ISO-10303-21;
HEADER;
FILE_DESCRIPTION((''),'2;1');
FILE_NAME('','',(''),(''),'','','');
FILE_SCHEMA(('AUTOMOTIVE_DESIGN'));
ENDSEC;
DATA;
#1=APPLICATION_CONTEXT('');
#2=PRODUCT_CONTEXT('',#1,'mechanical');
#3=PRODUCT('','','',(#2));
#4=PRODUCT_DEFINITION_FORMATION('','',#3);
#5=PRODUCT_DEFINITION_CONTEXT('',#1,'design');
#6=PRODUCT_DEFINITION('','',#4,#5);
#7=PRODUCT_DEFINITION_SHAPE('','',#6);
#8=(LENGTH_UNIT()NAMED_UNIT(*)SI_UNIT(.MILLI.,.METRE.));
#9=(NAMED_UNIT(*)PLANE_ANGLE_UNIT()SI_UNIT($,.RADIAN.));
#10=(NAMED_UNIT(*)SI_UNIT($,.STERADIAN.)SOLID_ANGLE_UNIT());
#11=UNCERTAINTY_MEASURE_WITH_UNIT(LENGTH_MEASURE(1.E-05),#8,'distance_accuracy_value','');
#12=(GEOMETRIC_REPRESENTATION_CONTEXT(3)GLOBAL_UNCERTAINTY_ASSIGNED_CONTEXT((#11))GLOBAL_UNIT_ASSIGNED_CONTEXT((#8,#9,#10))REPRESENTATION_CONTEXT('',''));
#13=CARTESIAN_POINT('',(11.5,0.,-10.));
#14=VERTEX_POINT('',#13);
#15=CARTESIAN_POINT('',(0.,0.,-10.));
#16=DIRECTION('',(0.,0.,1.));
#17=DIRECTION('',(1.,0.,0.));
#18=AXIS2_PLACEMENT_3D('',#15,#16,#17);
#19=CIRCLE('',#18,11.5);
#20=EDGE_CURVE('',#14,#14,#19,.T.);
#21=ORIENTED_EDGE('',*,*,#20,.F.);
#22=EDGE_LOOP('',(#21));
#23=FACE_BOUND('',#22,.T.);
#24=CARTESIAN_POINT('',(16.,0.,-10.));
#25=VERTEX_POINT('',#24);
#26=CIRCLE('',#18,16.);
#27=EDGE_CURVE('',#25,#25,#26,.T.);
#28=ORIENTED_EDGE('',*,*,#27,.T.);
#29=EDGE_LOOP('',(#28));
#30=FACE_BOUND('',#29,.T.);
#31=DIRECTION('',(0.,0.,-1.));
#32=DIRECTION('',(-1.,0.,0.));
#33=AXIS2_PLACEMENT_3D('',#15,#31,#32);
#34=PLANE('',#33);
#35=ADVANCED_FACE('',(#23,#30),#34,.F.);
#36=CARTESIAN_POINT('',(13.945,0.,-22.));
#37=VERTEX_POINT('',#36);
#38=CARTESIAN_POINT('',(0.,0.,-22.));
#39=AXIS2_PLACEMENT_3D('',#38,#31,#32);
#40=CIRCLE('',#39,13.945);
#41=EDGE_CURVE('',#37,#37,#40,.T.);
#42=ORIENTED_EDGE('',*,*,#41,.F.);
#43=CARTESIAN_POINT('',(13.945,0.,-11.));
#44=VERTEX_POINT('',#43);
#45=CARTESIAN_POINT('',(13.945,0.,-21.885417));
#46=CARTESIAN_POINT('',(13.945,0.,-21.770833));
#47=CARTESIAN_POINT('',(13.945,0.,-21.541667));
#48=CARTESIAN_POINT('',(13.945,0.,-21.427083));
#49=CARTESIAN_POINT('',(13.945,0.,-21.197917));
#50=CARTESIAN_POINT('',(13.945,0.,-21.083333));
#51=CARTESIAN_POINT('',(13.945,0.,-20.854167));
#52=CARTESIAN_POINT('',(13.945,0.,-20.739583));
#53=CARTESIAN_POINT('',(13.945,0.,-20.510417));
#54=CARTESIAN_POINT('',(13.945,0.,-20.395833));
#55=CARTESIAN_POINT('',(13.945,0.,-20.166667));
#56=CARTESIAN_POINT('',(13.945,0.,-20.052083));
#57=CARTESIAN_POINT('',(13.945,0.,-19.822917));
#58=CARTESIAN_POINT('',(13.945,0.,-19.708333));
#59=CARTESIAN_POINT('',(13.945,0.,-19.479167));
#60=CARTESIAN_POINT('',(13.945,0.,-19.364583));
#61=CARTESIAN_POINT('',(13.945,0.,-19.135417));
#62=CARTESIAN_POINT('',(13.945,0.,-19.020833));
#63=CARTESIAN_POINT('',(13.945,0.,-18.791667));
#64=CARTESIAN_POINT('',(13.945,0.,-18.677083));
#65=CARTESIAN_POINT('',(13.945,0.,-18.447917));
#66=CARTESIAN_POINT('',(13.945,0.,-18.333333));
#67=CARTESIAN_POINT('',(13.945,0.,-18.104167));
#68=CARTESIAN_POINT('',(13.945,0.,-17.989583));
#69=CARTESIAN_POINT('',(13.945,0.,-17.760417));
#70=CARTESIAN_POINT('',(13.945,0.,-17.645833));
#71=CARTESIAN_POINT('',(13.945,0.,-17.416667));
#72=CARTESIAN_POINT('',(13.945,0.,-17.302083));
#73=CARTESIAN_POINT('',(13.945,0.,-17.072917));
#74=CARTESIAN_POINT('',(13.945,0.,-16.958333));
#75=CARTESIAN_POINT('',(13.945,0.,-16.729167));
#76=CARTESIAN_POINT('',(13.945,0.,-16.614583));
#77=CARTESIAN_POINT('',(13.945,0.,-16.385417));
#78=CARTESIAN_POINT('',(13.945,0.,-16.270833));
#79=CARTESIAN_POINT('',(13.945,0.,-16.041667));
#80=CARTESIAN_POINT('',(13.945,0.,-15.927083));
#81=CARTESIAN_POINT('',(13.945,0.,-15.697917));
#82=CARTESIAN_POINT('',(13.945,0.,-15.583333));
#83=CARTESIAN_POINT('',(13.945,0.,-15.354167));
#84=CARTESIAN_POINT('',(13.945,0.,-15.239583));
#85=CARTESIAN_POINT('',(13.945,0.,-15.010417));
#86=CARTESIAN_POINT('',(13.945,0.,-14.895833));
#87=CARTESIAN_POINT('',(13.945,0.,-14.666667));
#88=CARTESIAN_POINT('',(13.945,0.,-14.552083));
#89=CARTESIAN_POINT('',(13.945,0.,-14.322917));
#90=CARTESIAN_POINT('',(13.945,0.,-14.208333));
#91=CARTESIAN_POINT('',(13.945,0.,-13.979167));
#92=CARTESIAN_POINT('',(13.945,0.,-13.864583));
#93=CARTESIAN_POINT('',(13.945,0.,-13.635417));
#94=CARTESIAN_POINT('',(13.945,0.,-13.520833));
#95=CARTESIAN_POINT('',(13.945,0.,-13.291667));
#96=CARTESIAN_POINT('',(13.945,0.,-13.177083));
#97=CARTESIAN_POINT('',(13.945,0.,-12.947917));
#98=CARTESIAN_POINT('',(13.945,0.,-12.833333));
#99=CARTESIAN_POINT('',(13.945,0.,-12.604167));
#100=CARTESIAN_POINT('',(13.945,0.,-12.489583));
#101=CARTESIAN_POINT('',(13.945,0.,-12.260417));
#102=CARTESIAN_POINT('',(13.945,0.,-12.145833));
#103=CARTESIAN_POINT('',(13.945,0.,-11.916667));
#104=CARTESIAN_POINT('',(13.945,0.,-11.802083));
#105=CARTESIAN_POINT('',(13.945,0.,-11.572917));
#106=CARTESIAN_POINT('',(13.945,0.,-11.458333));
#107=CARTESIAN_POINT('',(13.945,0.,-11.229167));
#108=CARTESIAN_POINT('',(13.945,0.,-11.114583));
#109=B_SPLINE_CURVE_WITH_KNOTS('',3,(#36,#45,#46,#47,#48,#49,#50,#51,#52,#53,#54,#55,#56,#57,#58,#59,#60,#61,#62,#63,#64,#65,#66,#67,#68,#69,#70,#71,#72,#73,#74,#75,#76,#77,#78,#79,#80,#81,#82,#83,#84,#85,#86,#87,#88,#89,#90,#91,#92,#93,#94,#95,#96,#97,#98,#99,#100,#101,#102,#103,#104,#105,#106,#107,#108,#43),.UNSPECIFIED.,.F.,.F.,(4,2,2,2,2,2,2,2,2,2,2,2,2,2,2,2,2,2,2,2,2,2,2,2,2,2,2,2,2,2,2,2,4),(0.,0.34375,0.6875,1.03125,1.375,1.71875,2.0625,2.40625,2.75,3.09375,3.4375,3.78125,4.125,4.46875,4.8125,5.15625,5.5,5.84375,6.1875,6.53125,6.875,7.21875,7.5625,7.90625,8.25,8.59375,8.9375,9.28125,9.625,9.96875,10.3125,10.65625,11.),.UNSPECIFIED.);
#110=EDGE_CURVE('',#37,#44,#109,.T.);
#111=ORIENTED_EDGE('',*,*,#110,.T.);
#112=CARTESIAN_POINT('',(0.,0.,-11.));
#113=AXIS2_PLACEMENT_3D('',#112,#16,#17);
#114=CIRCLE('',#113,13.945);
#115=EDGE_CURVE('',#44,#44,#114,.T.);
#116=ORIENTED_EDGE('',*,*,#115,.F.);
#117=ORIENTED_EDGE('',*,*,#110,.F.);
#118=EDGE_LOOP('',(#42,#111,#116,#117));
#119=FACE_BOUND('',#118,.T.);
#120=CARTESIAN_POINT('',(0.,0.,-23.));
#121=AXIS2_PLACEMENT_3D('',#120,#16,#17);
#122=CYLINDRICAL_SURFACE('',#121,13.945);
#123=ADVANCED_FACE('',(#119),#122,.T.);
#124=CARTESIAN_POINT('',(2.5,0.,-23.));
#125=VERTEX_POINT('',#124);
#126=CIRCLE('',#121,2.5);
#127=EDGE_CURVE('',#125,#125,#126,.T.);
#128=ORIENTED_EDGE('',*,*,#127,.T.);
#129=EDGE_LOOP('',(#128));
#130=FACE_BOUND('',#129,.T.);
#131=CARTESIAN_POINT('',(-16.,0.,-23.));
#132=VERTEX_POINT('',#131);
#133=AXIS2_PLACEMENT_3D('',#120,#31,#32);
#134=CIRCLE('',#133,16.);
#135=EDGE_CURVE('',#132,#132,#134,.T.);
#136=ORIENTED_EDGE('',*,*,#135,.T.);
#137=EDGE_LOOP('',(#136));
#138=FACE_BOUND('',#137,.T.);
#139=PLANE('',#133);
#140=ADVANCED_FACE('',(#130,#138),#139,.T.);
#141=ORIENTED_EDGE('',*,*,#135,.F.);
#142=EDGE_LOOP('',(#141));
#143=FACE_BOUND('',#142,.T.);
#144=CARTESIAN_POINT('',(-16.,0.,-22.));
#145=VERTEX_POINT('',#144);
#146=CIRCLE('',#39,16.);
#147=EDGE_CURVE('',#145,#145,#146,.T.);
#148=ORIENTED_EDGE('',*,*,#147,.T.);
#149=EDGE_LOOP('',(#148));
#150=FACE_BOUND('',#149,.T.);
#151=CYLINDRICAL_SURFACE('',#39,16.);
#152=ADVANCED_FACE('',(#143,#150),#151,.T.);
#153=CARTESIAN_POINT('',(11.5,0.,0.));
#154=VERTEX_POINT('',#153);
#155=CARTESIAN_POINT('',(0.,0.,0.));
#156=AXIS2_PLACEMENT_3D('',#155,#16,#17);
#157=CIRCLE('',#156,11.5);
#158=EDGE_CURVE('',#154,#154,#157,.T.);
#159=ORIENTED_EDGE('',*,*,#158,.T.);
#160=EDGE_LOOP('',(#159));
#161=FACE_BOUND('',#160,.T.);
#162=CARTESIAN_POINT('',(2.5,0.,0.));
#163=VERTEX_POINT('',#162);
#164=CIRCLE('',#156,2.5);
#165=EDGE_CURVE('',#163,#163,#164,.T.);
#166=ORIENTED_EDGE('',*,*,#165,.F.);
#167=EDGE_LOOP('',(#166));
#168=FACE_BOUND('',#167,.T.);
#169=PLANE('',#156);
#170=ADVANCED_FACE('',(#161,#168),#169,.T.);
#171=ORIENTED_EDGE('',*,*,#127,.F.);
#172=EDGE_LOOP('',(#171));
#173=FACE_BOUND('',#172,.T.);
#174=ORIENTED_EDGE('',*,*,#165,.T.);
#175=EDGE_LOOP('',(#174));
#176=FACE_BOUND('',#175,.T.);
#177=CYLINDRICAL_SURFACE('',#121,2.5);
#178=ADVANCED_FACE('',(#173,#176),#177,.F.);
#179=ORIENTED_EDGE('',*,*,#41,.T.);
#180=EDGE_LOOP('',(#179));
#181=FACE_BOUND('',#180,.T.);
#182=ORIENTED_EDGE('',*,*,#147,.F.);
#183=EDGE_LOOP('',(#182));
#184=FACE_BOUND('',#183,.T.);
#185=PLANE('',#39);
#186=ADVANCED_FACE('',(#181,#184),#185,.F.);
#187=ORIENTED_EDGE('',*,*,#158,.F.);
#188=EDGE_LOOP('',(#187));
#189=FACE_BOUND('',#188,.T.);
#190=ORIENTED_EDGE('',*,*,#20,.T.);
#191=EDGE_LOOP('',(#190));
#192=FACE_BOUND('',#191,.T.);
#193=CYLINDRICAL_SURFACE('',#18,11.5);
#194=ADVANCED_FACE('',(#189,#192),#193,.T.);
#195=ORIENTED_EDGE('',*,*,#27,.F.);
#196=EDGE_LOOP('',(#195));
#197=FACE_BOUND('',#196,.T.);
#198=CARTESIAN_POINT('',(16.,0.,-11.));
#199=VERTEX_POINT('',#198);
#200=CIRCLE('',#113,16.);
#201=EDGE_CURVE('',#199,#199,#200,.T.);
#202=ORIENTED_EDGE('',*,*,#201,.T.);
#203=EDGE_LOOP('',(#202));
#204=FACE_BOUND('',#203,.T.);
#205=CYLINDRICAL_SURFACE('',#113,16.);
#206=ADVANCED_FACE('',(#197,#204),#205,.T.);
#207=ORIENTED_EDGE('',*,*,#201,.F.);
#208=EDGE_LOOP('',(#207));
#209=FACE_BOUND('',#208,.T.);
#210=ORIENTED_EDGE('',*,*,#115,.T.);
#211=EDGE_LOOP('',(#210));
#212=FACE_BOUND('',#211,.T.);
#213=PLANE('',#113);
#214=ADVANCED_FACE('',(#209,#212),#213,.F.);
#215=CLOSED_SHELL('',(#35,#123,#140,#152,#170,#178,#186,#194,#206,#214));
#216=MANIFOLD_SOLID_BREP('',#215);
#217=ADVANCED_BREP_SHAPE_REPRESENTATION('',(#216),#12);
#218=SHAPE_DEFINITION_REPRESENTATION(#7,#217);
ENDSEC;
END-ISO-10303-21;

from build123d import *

# Parameters (mm, degrees)
SKETCH_1_R               = 11.5
EXTRUDE_1_DEPTH          = 10
SKETCH_2_R               = 13.945
EXTRUDE_2_DEPTH          = 13
SKETCH_3_R               = 16
EXTRUDE_3_DEPTH          = 1
EXTRUDE_START            = -1
SKETCH_4_R               = 16
EXTRUDE_4_DEPTH          = 1
CUT_EXTRUDE_1_DEPTH      = 33.26453161
CUT_EXTRUDE_1_DEPTH_BACK = 33.26453161
SKETCH_5_R               = 2.5


with BuildPart() as part:
    # 草图1 → 凸台-拉伸1 (new body)
    with BuildSketch(Plane.XY):
        Circle(SKETCH_1_R)
    extrude(amount=-EXTRUDE_1_DEPTH)

    # 草图2 → 凸台-拉伸2 (add)
    with BuildSketch(Plane(origin=(0, 0, -10), x_dir=(-1, 0, 0), z_dir=(0, 0, -1))):
        with Locations(Location((0, 0, 0), (0, 0, 180))):
            Circle(SKETCH_2_R)
    extrude(amount=EXTRUDE_2_DEPTH)

    # 草图3 → 凸台-拉伸3 (add)
    with BuildSketch(Plane(origin=(0, 0, -23), x_dir=(-1, 0, 0), z_dir=(0, 0, -1))):
        Circle(SKETCH_3_R)
    extrude(amount=-EXTRUDE_3_DEPTH)

    # 草图4 → 凸台-拉伸4 (add)
    with BuildSketch(Plane.XY.offset(-10).offset(EXTRUDE_START)):
        with Locations(Location((0, 0, 0), (0, 0, 180))):
            Circle(SKETCH_4_R)
    extrude(amount=EXTRUDE_4_DEPTH)

    # 草图5 → 切除-拉伸1 (cut, two sides: drawn at the far end of the back side and taken through both)
    with BuildSketch(Plane.XY.offset(-CUT_EXTRUDE_1_DEPTH_BACK)):
        Circle(SKETCH_5_R)
    extrude(amount=CUT_EXTRUDE_1_DEPTH + CUT_EXTRUDE_1_DEPTH_BACK, mode=Mode.SUBTRACT)


solid = part.part
